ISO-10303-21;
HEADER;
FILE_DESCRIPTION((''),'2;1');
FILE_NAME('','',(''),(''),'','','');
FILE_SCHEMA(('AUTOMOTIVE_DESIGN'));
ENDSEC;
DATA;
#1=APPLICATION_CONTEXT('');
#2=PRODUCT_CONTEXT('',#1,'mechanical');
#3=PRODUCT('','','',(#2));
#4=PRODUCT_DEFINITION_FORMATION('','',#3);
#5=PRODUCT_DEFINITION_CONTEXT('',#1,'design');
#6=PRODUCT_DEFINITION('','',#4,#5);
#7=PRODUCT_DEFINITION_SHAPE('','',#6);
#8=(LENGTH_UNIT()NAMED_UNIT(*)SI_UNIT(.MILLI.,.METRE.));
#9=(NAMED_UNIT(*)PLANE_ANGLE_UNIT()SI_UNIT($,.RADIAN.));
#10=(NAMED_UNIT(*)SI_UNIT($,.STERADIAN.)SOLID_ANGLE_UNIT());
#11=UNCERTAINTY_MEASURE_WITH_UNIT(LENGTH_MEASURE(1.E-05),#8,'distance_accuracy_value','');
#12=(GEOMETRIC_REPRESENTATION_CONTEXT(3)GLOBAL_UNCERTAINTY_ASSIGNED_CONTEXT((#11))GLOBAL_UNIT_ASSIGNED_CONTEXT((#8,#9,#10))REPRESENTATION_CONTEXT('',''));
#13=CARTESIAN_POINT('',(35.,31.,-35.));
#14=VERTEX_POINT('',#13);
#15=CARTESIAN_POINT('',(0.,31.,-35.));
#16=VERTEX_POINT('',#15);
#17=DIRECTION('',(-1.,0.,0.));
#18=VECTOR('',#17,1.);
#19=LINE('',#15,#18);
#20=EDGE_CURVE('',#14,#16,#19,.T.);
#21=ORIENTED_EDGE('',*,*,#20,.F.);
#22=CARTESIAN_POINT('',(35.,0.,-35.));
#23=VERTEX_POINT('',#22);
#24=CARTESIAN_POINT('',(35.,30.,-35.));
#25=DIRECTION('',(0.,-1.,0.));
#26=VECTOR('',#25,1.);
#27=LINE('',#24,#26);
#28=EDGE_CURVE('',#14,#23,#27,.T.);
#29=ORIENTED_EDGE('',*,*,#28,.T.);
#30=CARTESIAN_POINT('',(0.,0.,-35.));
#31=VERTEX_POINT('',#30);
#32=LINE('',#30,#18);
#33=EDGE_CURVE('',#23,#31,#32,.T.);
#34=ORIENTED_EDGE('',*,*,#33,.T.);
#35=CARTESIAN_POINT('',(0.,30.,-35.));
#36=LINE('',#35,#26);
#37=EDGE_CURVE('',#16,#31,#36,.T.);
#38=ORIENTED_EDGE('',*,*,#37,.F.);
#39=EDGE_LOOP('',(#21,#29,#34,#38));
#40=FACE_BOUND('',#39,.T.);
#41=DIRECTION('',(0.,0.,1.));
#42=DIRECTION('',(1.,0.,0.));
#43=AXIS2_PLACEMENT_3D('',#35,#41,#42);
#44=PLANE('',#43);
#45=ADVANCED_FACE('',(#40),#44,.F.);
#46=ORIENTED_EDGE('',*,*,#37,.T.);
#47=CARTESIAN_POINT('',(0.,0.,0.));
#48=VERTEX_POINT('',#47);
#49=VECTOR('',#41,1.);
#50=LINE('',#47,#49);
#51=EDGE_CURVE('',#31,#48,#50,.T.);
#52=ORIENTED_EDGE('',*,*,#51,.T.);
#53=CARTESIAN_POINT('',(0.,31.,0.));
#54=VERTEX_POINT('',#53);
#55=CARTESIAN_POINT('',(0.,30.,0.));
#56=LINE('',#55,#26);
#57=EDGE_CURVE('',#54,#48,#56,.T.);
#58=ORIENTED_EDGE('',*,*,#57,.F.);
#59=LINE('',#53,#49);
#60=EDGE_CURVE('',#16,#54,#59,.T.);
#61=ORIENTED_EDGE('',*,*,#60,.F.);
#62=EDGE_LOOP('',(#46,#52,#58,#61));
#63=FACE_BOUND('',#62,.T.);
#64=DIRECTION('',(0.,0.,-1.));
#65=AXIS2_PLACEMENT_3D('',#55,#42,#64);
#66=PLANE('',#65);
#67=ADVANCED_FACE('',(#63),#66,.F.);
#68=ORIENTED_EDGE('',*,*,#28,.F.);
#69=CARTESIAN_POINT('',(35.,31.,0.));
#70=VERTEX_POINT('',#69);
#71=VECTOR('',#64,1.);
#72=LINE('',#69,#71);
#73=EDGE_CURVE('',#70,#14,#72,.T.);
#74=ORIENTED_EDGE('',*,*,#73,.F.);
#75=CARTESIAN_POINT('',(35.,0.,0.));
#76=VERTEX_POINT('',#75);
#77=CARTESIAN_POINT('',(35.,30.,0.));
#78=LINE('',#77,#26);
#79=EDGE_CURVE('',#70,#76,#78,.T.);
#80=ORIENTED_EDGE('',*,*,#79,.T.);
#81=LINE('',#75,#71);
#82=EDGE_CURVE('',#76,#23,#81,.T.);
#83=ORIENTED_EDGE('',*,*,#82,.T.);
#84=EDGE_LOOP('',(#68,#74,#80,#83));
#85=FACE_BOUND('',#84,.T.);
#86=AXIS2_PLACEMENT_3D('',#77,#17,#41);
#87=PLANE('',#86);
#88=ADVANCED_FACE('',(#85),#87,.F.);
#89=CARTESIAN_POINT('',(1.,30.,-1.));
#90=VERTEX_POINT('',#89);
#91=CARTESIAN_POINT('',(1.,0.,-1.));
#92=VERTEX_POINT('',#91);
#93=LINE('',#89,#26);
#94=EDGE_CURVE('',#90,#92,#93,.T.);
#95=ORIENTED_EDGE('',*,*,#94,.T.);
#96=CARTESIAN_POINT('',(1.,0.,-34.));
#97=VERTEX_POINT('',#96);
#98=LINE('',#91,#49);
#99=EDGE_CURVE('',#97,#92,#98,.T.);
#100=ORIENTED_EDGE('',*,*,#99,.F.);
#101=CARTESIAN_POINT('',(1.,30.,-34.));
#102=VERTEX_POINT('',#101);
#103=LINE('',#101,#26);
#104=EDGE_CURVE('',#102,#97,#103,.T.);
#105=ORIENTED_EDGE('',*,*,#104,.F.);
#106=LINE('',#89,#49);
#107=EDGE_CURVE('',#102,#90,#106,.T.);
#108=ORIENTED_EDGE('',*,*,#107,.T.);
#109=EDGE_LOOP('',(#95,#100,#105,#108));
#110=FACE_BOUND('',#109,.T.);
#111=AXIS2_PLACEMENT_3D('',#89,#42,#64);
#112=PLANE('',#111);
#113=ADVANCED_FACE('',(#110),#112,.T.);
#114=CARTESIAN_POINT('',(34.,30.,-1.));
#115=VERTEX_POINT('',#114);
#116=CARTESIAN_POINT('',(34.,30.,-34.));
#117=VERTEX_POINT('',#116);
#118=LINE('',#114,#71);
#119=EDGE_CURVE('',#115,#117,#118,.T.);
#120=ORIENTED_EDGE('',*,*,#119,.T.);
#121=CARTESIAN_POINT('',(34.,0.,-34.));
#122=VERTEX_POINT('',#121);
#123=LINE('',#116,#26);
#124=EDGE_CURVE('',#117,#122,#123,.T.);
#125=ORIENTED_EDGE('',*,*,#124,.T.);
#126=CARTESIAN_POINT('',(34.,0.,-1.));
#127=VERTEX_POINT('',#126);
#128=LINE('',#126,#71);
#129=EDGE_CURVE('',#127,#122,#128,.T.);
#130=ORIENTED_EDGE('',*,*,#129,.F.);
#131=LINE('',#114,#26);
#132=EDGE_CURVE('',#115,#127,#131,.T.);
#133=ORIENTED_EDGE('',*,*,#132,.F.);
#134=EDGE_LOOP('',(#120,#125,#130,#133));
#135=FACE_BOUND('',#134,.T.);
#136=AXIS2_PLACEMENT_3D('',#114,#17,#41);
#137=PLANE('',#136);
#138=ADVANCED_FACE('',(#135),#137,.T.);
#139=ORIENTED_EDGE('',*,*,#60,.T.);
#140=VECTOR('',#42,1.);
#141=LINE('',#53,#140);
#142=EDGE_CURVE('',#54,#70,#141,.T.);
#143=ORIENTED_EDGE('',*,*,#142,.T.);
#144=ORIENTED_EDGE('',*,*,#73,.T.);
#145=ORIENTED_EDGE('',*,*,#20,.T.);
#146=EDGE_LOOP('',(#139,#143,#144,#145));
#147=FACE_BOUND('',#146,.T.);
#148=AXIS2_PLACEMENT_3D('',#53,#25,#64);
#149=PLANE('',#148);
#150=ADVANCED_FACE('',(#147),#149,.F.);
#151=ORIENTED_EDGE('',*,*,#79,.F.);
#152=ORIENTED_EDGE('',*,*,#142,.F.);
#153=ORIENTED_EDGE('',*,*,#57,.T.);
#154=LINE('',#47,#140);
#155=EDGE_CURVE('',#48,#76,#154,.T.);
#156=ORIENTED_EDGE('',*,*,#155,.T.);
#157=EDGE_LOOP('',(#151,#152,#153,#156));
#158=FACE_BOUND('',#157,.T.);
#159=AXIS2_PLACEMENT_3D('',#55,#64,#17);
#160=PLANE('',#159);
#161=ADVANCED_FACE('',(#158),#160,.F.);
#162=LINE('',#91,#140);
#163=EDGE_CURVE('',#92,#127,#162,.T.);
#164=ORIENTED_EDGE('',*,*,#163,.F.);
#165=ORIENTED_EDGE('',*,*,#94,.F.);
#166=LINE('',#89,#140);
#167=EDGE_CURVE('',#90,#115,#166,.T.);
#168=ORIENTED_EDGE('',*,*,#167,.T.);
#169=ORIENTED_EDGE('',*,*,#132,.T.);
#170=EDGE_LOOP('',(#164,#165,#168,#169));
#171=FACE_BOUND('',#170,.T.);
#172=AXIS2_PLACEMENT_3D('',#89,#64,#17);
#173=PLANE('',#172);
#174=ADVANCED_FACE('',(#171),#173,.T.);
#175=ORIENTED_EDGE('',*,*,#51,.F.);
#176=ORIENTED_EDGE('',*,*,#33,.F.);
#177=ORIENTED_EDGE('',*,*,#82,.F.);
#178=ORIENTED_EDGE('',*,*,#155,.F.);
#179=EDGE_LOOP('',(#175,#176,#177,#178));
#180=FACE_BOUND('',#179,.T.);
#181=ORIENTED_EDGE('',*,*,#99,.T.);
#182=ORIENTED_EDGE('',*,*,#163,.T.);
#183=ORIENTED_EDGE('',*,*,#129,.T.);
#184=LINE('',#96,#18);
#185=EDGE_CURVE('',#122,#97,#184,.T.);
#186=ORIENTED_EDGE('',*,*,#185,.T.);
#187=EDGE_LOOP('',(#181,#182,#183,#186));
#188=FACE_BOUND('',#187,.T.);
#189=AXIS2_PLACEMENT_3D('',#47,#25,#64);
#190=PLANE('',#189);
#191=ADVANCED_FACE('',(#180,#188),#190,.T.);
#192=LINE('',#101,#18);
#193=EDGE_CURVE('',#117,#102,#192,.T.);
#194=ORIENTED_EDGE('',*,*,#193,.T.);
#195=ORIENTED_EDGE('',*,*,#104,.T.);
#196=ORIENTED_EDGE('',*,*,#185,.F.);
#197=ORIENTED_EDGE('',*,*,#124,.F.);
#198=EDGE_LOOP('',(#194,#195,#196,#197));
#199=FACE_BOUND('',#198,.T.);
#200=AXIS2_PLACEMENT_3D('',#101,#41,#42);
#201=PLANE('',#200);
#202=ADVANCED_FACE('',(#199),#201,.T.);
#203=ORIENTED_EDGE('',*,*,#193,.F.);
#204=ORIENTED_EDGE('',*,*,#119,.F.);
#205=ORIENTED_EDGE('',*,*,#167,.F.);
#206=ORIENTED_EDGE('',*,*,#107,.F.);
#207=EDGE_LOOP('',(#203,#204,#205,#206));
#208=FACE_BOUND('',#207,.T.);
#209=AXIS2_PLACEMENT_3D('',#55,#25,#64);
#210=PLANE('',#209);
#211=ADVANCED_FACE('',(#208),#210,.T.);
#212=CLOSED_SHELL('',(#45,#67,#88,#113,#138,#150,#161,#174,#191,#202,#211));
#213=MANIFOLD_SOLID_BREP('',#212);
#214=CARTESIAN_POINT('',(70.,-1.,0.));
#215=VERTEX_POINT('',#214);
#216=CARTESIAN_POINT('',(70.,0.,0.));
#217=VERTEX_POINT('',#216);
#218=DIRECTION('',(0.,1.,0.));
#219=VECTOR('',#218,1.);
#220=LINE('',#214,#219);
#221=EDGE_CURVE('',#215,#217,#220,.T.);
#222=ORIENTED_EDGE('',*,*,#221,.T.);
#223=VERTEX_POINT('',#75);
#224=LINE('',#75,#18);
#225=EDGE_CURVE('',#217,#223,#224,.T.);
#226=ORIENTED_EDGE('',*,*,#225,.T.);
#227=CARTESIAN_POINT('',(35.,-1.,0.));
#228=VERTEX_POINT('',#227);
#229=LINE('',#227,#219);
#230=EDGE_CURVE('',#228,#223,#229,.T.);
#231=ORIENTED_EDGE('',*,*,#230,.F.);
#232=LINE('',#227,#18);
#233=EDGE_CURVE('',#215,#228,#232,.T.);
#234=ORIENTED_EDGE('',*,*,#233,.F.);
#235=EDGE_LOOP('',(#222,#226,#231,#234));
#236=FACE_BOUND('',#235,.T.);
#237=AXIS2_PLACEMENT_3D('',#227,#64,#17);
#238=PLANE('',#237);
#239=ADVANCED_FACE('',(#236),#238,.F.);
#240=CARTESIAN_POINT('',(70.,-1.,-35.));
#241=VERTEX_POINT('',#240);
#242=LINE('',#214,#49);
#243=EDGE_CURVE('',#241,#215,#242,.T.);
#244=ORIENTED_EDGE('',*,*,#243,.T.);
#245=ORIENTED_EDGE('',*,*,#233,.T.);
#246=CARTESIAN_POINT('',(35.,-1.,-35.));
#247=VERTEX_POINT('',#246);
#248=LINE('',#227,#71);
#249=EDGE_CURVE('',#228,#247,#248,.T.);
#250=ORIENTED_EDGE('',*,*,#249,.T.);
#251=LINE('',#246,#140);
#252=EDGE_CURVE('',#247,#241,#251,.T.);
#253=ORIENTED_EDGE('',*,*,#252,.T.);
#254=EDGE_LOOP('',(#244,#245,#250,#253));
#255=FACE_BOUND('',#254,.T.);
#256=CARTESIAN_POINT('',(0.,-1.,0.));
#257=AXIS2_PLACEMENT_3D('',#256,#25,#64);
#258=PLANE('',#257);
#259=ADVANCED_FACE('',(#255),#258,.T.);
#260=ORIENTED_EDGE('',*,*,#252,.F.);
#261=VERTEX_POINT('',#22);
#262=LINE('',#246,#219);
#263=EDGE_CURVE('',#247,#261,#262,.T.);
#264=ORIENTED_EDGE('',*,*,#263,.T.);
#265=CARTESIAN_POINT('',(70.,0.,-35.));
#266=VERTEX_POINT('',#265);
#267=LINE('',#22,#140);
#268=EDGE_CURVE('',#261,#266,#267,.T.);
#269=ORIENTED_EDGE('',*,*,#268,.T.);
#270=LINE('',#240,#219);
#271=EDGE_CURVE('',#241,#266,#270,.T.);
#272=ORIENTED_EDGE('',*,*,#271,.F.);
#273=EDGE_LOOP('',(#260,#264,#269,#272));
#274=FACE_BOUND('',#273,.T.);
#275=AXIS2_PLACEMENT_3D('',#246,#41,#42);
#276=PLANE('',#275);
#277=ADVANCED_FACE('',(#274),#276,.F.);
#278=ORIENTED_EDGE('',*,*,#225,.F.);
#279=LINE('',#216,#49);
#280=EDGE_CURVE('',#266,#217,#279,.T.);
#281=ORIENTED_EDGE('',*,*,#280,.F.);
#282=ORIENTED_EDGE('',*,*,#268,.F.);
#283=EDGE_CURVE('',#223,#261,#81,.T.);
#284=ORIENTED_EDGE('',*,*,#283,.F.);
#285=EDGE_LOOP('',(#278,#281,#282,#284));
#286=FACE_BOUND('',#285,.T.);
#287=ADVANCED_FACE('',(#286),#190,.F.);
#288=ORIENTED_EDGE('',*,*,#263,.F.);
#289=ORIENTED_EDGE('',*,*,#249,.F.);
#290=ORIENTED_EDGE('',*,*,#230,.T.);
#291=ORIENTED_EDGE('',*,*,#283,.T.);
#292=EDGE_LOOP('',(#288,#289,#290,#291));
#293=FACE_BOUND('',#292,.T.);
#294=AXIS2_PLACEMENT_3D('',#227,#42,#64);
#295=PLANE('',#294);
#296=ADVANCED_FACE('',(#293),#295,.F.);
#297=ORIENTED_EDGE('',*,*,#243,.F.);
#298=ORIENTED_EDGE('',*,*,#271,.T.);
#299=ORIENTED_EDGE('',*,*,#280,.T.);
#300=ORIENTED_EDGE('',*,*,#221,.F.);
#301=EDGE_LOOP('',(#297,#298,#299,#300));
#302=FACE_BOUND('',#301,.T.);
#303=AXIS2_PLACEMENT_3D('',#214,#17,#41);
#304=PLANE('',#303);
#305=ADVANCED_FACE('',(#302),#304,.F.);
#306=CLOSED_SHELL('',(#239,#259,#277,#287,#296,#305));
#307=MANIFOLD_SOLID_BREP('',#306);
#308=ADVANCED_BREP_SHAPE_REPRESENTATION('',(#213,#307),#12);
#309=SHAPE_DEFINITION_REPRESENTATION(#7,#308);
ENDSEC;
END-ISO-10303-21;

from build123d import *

# Parameters (mm, degrees)
SKETCH1_W           = 35
SKETCH1_H           = 35
SKETCH1_W_2         = 33
SKETCH1_H_2         = 33
BOSS_EXTRUDE1_DEPTH = 30
SKETCH2_W           = 35
SKETCH2_H           = 35
BOSS_EXTRUDE2_DEPTH = 1
SKETCH3_W           = 35
SKETCH3_H           = 35
BOSS_EXTRUDE3_DEPTH = 1


with BuildPart() as part:
    # Sketch1 → Boss-Extrude1 (new body)
    with BuildSketch(Plane(origin=(0, 0, 0), x_dir=(1, 0, 0), z_dir=(0, 1, 0))):
        with Locations((17.5, 17.5)):
            Rectangle(SKETCH1_W, SKETCH1_H)
        with Locations((17.5, 17.5)):
            Rectangle(SKETCH1_W_2, SKETCH1_H_2, mode=Mode.SUBTRACT)
    extrude(amount=BOSS_EXTRUDE1_DEPTH)

    # Sketch2 → Boss-Extrude2 (add)
    with BuildSketch(Plane(origin=(0, 30, 0), x_dir=(1, 0, 0), z_dir=(0, 1, 0))):
        with Locations((17.5, 17.5)):
            Rectangle(SKETCH2_W, SKETCH2_H)
    extrude(amount=BOSS_EXTRUDE2_DEPTH)


with BuildPart() as body_2:
    # Sketch3 → Boss-Extrude3 (new body)
    with BuildSketch(Plane.XZ):
        with Locations((52.5, -17.5)):
            Rectangle(SKETCH3_W, SKETCH3_H)
    extrude(amount=BOSS_EXTRUDE3_DEPTH)


solid = Compound([part.part, body_2.part])
